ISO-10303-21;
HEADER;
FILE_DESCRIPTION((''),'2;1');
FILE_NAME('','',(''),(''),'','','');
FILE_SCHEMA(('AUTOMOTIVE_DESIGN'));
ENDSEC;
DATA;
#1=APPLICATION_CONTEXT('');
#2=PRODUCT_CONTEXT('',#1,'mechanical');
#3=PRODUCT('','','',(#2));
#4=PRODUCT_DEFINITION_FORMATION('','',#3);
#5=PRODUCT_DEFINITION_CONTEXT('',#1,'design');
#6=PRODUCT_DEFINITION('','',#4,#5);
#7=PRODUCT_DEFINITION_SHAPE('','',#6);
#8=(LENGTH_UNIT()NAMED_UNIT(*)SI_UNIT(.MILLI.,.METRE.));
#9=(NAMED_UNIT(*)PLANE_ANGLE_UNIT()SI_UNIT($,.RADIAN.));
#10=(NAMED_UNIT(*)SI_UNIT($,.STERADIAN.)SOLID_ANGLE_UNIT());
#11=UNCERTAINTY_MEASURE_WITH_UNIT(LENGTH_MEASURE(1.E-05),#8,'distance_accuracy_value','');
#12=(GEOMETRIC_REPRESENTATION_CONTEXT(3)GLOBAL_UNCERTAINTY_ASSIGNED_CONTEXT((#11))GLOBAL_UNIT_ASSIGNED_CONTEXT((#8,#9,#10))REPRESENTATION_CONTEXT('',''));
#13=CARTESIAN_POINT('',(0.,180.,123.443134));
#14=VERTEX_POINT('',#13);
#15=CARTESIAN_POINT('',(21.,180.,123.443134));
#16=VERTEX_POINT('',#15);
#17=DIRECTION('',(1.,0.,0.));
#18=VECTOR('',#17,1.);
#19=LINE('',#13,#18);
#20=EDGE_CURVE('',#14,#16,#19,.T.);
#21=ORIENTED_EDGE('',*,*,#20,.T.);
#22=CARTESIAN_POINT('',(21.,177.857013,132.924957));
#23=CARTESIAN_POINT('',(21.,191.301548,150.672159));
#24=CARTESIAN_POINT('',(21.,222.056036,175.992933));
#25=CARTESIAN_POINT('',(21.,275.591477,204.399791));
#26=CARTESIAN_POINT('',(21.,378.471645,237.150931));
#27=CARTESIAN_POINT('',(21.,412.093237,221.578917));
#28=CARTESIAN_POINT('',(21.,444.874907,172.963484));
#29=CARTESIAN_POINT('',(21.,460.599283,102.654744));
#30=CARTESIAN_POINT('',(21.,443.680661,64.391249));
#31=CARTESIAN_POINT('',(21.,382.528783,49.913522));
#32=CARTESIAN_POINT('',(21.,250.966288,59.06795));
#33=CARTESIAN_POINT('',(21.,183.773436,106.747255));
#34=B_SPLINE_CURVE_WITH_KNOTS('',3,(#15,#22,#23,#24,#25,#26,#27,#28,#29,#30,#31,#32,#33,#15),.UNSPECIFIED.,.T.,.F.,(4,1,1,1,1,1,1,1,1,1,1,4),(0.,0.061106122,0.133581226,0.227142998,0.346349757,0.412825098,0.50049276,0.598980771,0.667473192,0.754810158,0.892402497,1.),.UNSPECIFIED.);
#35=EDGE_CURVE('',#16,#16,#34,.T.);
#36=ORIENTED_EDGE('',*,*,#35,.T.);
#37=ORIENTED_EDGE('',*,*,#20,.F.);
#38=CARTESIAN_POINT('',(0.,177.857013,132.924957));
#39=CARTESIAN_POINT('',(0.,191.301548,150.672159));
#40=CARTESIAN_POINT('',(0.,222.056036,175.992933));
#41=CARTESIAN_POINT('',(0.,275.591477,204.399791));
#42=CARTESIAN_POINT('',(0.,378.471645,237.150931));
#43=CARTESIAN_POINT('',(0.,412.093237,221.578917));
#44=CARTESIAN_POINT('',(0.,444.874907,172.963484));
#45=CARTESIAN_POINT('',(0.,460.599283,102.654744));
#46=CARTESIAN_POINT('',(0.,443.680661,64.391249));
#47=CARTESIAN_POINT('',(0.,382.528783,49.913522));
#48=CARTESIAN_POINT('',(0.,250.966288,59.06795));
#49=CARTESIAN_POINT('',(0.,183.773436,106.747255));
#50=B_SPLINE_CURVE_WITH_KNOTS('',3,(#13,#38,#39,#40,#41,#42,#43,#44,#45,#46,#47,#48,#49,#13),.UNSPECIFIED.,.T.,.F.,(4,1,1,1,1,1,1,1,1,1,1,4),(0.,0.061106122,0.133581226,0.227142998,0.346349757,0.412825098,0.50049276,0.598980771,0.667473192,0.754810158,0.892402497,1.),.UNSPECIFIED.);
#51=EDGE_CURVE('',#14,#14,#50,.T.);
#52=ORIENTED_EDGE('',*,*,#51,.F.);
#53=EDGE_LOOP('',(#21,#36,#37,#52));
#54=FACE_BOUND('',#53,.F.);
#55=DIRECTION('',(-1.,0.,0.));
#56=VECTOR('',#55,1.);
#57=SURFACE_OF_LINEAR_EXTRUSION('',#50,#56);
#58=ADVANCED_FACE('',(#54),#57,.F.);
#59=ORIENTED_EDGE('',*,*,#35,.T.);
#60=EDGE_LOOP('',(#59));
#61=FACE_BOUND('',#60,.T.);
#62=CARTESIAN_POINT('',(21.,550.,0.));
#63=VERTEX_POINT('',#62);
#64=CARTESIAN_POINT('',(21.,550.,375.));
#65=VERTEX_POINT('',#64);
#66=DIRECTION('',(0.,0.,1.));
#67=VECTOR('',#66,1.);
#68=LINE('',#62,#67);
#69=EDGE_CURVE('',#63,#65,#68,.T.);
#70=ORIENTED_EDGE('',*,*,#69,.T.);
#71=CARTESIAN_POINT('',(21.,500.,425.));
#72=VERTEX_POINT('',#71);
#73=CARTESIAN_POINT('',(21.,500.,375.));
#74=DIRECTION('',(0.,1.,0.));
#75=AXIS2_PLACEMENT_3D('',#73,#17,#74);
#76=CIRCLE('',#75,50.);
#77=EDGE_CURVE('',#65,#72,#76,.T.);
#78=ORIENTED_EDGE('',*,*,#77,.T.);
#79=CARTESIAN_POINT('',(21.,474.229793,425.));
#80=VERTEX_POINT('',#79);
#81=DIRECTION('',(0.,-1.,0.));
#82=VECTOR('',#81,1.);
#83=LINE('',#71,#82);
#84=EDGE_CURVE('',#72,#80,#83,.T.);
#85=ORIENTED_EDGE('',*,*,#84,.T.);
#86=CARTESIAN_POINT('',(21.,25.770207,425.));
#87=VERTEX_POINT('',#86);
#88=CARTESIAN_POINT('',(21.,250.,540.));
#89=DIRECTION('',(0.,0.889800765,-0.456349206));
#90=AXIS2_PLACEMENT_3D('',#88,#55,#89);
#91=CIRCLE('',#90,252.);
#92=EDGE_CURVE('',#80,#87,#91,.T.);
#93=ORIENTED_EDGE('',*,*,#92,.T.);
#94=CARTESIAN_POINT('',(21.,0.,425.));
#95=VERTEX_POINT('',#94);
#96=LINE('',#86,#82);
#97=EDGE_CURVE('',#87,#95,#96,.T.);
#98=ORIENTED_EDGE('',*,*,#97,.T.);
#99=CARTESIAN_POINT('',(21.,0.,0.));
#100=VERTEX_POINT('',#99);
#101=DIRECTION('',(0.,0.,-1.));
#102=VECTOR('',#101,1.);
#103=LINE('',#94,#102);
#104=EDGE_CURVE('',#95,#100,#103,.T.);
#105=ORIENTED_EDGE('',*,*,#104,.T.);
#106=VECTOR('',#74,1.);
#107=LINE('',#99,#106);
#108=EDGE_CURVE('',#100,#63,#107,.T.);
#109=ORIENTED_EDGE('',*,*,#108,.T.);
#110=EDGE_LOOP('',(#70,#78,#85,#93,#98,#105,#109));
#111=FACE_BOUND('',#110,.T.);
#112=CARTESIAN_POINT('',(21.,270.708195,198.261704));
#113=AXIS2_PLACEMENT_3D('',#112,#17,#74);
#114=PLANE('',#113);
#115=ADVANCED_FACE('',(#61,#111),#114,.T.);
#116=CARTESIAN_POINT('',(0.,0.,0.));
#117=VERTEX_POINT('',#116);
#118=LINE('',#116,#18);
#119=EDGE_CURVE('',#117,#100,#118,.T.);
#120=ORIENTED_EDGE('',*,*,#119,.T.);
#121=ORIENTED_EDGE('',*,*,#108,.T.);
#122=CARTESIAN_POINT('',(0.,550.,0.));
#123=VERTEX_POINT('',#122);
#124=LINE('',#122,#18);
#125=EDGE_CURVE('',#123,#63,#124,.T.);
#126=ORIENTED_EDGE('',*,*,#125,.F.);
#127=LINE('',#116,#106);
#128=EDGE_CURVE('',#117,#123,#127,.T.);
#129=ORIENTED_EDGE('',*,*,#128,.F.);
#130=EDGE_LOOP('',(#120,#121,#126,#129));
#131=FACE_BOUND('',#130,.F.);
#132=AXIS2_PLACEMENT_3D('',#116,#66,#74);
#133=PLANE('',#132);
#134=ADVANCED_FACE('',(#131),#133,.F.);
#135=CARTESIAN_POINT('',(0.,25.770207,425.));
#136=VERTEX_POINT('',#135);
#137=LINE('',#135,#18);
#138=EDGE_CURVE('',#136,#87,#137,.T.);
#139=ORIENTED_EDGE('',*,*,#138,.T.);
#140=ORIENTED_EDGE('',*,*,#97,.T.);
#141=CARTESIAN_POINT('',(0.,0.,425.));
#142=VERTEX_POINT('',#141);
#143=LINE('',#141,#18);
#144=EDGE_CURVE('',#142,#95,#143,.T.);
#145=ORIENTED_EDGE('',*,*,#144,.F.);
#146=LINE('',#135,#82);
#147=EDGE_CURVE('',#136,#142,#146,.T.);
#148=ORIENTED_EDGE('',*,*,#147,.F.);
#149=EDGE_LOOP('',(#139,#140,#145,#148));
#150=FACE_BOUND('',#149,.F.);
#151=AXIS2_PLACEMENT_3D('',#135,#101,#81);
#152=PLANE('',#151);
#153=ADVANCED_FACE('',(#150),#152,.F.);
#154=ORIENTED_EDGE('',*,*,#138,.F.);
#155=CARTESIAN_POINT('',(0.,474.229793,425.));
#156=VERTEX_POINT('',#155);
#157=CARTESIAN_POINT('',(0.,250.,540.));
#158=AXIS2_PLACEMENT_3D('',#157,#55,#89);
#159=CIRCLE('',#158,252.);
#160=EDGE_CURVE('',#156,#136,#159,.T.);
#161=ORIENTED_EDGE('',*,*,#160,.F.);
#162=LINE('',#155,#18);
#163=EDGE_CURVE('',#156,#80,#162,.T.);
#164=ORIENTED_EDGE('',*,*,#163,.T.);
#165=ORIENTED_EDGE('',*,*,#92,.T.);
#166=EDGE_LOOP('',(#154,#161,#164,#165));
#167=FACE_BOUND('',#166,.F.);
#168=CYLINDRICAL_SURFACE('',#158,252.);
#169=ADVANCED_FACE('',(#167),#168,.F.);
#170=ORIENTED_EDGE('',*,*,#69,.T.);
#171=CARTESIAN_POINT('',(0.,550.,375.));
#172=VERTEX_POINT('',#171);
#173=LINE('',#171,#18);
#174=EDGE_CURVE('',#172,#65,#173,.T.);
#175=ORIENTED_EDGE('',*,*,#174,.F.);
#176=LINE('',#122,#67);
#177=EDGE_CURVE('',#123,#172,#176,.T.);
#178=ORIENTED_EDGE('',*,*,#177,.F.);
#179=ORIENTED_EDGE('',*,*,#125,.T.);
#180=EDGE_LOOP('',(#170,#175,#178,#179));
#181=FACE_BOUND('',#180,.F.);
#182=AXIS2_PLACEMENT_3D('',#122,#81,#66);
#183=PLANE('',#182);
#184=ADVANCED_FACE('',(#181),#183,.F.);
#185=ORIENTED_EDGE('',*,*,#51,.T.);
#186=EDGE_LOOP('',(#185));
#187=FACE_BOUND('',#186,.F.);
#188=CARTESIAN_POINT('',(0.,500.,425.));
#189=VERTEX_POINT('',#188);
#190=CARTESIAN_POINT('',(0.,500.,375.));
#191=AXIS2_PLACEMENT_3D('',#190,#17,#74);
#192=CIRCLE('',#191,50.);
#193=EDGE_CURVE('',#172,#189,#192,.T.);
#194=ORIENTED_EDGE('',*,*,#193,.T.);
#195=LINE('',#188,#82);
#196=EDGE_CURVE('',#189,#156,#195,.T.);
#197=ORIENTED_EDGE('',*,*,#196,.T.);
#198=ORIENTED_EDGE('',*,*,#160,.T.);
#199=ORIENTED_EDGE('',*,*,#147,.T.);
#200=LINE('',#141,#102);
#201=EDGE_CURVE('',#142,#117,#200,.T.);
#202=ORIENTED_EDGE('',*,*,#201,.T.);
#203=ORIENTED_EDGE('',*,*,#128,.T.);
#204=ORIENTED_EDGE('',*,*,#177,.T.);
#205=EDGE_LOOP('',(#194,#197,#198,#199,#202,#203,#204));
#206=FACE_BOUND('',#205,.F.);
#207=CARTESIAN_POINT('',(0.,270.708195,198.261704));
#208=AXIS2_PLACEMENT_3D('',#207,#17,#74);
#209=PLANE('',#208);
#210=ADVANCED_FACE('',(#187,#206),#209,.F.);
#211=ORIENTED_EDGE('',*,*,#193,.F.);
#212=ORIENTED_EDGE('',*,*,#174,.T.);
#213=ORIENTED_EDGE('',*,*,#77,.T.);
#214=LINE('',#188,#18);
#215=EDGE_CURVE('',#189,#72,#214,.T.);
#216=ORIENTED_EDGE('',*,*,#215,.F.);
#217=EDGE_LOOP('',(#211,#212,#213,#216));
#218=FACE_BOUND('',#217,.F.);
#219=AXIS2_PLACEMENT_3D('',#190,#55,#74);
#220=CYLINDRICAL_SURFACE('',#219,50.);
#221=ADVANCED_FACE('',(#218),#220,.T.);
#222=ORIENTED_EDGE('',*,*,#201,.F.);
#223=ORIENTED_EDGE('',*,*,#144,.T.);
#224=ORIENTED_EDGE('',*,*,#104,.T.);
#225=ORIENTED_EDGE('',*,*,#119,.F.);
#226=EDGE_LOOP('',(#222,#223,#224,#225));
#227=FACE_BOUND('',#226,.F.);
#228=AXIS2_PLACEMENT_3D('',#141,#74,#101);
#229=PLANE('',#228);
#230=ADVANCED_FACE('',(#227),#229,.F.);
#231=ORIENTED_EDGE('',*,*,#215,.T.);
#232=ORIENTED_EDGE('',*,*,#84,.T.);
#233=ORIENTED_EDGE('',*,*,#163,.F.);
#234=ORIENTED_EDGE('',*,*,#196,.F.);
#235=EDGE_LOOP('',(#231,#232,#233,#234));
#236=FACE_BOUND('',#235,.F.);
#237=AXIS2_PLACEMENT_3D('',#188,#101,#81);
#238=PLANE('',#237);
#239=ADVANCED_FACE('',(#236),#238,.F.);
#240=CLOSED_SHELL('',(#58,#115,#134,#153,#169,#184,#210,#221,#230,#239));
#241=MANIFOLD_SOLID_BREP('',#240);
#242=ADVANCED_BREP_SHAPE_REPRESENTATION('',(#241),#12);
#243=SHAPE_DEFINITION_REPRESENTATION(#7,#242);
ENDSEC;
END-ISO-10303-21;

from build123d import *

# Parameters (mm, degrees)
F1_DEPTH = 21


with BuildPart() as f1:
    # F0 (on Right) → F1 (new body)
    with BuildSketch(Plane.YZ):
        with BuildLine():
            Line((0, 425), (0, 0))
            Line((0, 0), (550, 0))
            Line((550, 0), (550, 375))
            ThreePointArc((550, 375), (535.3553390593, 410.3553390593), (500, 425))
            Line((500, 425), (474.2297928465, 425))
            ThreePointArc((474.2297928465, 425), (250, 288), (25.7702071535, 425))
            Line((25.7702071535, 425), (0, 425))
        make_face()
        with BuildLine():
            add(Edge.make_bspline(
                [(180, 123.443134129), (177.8570129588, 132.9249565411), (191.3015483119, 150.6721591343), (222.0560359134, 175.9929332866), (275.5914769823, 204.3997914749), (378.4716453687, 237.1509307337), (412.0932365489, 221.578916876), (444.8749073751, 172.9634837058), (460.599283361, 102.6547436059), (443.680660944, 64.3912488575), (382.5287830953, 49.9135215033), (250.9662879556, 59.0679503493), (183.7734362432, 106.7472551275), (180, 123.443134129)],
                knots=[0, 0, 0, 0, 0.0611061217, 0.1335812263, 0.2271429983, 0.3463497568, 0.4128250979, 0.5004927602, 0.5989807712, 0.6674731924, 0.7548101575, 0.8924024971, 1, 1, 1, 1], degree=3))
        make_face(mode=Mode.SUBTRACT)
    extrude(amount=F1_DEPTH)


solid = f1.part
